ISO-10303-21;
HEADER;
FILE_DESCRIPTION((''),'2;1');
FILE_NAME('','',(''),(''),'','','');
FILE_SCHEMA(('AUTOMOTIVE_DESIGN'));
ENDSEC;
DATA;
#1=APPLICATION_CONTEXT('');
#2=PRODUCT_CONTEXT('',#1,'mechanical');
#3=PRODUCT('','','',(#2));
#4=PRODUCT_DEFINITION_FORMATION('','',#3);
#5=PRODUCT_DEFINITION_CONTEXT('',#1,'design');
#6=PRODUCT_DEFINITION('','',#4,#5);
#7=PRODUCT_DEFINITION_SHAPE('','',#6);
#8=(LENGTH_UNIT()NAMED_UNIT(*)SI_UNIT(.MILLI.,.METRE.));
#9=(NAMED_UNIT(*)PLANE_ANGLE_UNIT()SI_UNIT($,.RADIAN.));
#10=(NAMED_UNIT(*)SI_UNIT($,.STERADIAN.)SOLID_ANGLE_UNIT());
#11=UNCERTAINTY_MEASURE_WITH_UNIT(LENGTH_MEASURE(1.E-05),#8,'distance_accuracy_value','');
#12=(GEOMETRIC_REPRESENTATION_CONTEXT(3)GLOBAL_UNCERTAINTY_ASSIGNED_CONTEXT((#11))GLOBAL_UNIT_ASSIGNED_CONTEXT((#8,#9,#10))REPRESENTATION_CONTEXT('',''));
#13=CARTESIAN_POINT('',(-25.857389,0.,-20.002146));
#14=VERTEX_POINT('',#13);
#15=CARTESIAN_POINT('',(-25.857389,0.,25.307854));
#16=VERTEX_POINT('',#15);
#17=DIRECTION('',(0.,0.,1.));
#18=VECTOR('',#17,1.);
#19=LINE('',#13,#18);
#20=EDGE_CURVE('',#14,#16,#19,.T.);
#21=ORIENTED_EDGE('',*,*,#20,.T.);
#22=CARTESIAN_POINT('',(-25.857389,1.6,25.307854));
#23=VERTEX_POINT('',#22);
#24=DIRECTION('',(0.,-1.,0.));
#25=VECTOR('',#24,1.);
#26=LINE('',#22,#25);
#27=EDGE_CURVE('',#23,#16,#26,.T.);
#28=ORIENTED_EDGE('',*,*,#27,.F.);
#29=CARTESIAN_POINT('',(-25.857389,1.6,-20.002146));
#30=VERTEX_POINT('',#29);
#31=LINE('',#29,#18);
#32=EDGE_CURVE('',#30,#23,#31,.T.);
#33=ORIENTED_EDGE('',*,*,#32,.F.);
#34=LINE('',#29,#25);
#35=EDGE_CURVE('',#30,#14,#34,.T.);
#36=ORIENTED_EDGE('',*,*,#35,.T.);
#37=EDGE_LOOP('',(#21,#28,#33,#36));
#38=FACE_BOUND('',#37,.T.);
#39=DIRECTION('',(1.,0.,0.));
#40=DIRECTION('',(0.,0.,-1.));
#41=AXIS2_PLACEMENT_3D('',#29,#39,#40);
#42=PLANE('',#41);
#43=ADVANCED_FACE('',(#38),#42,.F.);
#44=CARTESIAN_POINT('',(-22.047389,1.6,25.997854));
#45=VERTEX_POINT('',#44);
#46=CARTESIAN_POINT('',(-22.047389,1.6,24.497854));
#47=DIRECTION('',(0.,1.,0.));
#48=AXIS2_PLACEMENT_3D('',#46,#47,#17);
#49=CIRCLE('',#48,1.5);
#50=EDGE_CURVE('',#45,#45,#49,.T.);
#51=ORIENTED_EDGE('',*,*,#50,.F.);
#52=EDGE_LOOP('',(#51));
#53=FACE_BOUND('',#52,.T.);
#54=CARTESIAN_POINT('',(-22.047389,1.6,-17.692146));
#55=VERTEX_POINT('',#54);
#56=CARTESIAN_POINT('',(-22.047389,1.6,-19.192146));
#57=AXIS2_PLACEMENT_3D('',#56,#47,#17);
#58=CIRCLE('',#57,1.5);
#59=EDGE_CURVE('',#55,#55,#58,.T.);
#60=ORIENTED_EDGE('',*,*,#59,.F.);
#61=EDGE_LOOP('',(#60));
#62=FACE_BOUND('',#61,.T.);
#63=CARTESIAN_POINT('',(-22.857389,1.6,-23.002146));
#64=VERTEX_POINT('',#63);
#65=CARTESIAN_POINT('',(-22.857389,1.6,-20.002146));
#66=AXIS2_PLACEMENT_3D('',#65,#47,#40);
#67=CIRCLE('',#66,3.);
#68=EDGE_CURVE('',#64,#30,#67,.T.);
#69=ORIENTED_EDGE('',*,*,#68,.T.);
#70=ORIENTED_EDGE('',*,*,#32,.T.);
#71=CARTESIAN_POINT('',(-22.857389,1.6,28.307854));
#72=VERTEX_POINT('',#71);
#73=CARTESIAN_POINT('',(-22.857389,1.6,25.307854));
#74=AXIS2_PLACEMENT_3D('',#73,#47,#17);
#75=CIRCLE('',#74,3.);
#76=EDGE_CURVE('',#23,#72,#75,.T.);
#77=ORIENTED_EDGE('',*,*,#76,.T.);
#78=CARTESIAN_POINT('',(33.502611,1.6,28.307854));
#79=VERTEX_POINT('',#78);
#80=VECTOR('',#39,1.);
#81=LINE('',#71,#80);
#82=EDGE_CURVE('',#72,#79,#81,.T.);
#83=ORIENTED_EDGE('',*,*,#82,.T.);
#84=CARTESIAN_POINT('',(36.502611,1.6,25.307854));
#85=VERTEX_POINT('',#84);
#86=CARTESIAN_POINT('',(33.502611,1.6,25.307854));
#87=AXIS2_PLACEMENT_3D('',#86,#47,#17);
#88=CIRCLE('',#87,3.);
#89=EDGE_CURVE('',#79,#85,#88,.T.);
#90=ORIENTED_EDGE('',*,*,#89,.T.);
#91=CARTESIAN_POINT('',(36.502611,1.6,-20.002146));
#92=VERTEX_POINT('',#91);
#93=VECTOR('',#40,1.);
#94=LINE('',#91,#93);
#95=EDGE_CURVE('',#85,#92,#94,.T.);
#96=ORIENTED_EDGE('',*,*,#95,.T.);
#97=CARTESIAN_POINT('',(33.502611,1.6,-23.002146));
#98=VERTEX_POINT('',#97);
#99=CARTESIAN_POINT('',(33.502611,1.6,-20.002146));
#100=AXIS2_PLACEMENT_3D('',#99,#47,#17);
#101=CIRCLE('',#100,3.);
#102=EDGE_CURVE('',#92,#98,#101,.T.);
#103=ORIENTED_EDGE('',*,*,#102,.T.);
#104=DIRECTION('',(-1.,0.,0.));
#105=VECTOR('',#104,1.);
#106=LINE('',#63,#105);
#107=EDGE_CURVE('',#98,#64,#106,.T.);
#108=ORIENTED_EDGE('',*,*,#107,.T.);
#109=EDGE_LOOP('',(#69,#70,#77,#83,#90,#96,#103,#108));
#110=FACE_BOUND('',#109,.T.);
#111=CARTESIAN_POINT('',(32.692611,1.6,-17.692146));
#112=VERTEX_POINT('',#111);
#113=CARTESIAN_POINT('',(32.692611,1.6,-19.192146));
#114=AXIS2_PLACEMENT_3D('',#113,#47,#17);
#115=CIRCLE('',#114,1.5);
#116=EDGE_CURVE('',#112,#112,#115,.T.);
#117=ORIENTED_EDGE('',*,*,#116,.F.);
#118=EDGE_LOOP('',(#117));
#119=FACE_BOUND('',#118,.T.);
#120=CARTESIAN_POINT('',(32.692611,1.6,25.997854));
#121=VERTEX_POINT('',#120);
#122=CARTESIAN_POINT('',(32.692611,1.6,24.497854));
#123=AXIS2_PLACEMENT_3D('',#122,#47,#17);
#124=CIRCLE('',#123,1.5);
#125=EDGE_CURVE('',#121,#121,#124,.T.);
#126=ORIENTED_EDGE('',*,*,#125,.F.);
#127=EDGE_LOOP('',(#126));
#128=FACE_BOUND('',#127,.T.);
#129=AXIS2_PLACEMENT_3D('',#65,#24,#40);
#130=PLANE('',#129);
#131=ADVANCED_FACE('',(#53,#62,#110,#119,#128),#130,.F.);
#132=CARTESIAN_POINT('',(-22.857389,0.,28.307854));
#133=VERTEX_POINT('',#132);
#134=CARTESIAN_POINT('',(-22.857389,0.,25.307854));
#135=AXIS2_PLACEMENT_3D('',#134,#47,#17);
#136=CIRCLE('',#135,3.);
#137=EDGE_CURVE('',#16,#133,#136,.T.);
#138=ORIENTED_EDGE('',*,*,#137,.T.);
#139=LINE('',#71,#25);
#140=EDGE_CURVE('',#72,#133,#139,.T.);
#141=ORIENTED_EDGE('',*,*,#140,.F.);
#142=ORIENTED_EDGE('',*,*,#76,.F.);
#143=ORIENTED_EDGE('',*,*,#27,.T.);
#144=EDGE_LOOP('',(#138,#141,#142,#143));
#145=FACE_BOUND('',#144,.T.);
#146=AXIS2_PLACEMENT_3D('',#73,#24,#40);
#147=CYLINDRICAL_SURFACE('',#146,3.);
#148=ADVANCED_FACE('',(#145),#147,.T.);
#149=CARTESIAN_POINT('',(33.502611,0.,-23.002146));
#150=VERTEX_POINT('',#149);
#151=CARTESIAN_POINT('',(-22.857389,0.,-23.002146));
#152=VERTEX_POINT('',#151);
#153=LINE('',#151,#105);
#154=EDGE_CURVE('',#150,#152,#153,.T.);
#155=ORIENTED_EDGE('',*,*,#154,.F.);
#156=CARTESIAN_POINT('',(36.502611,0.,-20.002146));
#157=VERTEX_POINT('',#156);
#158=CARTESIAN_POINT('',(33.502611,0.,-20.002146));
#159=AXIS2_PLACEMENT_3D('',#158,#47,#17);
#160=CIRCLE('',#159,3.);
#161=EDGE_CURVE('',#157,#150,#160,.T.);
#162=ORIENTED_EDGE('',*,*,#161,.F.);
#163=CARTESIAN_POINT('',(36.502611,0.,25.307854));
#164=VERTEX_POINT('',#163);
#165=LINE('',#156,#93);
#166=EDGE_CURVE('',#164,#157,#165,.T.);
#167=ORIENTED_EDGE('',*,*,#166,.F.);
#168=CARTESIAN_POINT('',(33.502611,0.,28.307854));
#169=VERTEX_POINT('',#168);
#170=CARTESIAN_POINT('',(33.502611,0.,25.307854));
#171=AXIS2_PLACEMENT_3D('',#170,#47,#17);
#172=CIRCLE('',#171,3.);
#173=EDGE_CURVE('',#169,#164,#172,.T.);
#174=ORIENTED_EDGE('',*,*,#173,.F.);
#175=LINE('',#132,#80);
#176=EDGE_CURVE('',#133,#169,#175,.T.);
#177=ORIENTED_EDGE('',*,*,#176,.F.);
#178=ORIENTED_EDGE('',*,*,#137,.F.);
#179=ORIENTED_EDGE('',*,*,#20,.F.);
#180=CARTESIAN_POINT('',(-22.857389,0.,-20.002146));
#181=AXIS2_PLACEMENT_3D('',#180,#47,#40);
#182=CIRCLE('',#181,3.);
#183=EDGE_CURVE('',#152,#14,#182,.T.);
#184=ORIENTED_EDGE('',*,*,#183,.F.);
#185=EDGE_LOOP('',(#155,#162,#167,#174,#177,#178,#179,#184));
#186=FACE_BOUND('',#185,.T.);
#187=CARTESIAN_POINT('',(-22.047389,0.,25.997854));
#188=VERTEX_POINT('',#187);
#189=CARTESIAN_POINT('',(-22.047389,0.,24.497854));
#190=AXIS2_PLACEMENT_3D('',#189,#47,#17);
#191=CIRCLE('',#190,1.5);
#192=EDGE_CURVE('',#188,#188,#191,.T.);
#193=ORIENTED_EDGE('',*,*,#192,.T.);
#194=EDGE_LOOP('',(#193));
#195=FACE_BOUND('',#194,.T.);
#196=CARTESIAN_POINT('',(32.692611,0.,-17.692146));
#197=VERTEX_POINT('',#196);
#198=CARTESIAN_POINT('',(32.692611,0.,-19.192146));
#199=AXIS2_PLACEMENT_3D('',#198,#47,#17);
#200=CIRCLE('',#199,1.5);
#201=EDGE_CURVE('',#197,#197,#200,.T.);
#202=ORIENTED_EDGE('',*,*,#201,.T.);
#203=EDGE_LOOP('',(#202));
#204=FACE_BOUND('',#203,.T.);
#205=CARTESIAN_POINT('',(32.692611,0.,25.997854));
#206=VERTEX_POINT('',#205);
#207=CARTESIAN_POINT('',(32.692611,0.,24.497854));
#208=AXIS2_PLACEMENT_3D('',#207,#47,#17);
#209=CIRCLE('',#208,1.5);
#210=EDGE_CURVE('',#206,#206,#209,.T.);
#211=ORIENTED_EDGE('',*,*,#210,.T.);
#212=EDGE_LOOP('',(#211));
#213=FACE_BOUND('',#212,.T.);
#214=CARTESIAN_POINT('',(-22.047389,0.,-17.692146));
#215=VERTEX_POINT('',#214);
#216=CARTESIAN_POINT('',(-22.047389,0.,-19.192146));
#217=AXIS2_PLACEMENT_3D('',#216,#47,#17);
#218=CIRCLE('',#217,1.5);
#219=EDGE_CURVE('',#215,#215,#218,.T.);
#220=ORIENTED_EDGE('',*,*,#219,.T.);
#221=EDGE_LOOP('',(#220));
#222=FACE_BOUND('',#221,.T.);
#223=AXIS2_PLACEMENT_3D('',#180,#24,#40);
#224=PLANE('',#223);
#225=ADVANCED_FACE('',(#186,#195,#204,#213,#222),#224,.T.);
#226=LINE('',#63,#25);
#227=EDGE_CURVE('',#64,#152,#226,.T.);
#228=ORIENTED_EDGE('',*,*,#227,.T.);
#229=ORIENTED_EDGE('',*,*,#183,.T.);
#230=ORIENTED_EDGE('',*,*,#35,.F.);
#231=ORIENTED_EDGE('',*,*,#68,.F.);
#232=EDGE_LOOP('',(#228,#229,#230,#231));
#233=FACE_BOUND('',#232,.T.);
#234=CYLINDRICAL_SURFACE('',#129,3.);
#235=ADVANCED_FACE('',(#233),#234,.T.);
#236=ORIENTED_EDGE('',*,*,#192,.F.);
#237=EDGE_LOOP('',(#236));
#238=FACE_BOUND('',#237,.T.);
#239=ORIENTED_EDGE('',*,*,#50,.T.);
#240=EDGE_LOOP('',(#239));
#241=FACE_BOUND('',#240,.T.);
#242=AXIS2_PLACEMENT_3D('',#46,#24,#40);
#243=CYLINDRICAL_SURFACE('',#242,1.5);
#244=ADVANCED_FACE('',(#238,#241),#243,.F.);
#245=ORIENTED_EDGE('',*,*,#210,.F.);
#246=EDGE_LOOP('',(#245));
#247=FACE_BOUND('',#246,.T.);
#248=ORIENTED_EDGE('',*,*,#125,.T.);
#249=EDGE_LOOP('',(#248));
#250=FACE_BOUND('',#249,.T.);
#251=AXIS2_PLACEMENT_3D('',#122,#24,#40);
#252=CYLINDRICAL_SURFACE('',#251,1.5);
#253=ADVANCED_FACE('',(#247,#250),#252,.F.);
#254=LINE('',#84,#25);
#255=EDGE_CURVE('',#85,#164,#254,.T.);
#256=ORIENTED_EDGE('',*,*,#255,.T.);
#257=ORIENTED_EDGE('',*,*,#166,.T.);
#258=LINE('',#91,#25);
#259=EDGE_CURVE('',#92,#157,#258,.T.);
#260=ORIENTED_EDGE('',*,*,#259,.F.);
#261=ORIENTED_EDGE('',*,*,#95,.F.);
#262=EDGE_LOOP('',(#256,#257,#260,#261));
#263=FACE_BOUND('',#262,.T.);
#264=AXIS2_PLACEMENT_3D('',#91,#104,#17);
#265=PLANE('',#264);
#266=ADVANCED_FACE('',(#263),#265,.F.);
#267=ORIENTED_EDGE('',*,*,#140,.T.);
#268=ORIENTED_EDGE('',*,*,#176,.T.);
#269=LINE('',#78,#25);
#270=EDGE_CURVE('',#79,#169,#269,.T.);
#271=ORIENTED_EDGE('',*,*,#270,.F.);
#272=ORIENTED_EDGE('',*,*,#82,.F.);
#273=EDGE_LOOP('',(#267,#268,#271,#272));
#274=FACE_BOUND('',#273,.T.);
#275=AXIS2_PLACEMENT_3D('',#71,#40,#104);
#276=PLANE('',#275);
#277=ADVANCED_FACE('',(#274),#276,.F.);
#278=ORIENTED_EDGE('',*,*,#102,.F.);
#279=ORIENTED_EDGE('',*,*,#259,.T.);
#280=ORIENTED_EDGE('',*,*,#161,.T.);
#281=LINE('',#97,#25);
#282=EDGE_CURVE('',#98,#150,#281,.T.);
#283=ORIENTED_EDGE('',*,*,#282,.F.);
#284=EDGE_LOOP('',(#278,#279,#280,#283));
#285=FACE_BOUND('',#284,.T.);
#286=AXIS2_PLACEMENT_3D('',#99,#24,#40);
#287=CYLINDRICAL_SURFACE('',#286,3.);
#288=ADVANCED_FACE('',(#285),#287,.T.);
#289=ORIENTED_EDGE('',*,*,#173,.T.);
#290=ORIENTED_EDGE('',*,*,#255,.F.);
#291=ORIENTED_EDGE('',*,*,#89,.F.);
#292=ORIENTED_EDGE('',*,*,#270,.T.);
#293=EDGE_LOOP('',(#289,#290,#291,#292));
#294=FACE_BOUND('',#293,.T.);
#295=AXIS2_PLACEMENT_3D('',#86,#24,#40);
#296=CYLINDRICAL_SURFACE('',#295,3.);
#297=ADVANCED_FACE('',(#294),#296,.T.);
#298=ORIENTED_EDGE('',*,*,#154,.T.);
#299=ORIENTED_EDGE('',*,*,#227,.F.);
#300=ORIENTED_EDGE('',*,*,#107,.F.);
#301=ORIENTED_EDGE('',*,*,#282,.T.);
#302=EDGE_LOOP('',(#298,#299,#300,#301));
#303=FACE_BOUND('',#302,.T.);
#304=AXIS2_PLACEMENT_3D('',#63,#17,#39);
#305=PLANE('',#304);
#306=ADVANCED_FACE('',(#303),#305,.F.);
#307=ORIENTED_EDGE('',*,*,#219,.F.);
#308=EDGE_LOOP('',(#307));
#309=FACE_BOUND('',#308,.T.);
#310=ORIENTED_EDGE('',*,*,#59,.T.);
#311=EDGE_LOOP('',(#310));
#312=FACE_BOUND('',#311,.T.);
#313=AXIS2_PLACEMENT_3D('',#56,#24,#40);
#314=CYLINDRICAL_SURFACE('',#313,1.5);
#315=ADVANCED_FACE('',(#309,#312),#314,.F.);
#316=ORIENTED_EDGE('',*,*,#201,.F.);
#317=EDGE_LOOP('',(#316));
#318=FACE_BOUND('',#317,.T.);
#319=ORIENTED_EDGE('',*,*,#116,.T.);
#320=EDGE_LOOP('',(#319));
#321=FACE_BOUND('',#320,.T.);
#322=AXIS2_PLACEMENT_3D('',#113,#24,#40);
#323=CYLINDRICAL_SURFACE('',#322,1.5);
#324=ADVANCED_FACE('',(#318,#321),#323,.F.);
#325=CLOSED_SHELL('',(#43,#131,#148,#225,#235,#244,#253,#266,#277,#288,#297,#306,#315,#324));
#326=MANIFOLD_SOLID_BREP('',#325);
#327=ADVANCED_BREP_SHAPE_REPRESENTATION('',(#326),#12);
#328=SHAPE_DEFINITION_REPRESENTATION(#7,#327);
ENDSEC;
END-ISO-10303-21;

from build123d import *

# Parameters (mm, degrees)
SKETCH_1_R      = 1.5
EXTRUDE_1_DEPTH = 1.6


with BuildPart() as part:
    # 草图1 → 凸台-拉伸1 (new body)
    with BuildSketch(Plane(origin=(0, 0, 0), x_dir=(1, 0, 0), z_dir=(0, 1, 0))):
        with BuildLine():
            Line((-22.857389118, 23.002146128), (33.502610882, 23.002146128))
            ThreePointArc((33.502610882, 23.002146128), (35.623931226, 22.123466471), (36.502610882, 20.002146128))
            Line((36.502610882, 20.002146128), (36.502610882, -25.307853872))
            ThreePointArc((36.502610882, -25.307853872), (35.623931226, -27.429174216), (33.502610882, -28.307853872))
            Line((33.502610882, -28.307853872), (-22.857389118, -28.307853872))
            ThreePointArc((-22.857389118, -28.307853872), (-24.978709461, -27.429174216), (-25.857389118, -25.307853872))
            Line((-25.857389118, -25.307853872), (-25.857389118, 20.002146128))
            ThreePointArc((-25.857389118, 20.002146128), (-24.978709461, 22.123466471), (-22.857389118, 23.002146128))
        make_face()
        with Locations(Location((-22.047389118, 19.192146128, 0), (0, 0, 270))):
            Circle(SKETCH_1_R, mode=Mode.SUBTRACT)
        with Locations(Location((32.692610882, 19.192146128, 0), (0, 0, 270))):
            Circle(SKETCH_1_R, mode=Mode.SUBTRACT)
        with Locations(Location((-22.047389118, -24.497853872, 0), (0, 0, 270))):
            Circle(SKETCH_1_R, mode=Mode.SUBTRACT)
        with Locations(Location((32.692610882, -24.497853872, 0), (0, 0, 270))):
            Circle(SKETCH_1_R, mode=Mode.SUBTRACT)
    extrude(amount=EXTRUDE_1_DEPTH)


solid = part.part
